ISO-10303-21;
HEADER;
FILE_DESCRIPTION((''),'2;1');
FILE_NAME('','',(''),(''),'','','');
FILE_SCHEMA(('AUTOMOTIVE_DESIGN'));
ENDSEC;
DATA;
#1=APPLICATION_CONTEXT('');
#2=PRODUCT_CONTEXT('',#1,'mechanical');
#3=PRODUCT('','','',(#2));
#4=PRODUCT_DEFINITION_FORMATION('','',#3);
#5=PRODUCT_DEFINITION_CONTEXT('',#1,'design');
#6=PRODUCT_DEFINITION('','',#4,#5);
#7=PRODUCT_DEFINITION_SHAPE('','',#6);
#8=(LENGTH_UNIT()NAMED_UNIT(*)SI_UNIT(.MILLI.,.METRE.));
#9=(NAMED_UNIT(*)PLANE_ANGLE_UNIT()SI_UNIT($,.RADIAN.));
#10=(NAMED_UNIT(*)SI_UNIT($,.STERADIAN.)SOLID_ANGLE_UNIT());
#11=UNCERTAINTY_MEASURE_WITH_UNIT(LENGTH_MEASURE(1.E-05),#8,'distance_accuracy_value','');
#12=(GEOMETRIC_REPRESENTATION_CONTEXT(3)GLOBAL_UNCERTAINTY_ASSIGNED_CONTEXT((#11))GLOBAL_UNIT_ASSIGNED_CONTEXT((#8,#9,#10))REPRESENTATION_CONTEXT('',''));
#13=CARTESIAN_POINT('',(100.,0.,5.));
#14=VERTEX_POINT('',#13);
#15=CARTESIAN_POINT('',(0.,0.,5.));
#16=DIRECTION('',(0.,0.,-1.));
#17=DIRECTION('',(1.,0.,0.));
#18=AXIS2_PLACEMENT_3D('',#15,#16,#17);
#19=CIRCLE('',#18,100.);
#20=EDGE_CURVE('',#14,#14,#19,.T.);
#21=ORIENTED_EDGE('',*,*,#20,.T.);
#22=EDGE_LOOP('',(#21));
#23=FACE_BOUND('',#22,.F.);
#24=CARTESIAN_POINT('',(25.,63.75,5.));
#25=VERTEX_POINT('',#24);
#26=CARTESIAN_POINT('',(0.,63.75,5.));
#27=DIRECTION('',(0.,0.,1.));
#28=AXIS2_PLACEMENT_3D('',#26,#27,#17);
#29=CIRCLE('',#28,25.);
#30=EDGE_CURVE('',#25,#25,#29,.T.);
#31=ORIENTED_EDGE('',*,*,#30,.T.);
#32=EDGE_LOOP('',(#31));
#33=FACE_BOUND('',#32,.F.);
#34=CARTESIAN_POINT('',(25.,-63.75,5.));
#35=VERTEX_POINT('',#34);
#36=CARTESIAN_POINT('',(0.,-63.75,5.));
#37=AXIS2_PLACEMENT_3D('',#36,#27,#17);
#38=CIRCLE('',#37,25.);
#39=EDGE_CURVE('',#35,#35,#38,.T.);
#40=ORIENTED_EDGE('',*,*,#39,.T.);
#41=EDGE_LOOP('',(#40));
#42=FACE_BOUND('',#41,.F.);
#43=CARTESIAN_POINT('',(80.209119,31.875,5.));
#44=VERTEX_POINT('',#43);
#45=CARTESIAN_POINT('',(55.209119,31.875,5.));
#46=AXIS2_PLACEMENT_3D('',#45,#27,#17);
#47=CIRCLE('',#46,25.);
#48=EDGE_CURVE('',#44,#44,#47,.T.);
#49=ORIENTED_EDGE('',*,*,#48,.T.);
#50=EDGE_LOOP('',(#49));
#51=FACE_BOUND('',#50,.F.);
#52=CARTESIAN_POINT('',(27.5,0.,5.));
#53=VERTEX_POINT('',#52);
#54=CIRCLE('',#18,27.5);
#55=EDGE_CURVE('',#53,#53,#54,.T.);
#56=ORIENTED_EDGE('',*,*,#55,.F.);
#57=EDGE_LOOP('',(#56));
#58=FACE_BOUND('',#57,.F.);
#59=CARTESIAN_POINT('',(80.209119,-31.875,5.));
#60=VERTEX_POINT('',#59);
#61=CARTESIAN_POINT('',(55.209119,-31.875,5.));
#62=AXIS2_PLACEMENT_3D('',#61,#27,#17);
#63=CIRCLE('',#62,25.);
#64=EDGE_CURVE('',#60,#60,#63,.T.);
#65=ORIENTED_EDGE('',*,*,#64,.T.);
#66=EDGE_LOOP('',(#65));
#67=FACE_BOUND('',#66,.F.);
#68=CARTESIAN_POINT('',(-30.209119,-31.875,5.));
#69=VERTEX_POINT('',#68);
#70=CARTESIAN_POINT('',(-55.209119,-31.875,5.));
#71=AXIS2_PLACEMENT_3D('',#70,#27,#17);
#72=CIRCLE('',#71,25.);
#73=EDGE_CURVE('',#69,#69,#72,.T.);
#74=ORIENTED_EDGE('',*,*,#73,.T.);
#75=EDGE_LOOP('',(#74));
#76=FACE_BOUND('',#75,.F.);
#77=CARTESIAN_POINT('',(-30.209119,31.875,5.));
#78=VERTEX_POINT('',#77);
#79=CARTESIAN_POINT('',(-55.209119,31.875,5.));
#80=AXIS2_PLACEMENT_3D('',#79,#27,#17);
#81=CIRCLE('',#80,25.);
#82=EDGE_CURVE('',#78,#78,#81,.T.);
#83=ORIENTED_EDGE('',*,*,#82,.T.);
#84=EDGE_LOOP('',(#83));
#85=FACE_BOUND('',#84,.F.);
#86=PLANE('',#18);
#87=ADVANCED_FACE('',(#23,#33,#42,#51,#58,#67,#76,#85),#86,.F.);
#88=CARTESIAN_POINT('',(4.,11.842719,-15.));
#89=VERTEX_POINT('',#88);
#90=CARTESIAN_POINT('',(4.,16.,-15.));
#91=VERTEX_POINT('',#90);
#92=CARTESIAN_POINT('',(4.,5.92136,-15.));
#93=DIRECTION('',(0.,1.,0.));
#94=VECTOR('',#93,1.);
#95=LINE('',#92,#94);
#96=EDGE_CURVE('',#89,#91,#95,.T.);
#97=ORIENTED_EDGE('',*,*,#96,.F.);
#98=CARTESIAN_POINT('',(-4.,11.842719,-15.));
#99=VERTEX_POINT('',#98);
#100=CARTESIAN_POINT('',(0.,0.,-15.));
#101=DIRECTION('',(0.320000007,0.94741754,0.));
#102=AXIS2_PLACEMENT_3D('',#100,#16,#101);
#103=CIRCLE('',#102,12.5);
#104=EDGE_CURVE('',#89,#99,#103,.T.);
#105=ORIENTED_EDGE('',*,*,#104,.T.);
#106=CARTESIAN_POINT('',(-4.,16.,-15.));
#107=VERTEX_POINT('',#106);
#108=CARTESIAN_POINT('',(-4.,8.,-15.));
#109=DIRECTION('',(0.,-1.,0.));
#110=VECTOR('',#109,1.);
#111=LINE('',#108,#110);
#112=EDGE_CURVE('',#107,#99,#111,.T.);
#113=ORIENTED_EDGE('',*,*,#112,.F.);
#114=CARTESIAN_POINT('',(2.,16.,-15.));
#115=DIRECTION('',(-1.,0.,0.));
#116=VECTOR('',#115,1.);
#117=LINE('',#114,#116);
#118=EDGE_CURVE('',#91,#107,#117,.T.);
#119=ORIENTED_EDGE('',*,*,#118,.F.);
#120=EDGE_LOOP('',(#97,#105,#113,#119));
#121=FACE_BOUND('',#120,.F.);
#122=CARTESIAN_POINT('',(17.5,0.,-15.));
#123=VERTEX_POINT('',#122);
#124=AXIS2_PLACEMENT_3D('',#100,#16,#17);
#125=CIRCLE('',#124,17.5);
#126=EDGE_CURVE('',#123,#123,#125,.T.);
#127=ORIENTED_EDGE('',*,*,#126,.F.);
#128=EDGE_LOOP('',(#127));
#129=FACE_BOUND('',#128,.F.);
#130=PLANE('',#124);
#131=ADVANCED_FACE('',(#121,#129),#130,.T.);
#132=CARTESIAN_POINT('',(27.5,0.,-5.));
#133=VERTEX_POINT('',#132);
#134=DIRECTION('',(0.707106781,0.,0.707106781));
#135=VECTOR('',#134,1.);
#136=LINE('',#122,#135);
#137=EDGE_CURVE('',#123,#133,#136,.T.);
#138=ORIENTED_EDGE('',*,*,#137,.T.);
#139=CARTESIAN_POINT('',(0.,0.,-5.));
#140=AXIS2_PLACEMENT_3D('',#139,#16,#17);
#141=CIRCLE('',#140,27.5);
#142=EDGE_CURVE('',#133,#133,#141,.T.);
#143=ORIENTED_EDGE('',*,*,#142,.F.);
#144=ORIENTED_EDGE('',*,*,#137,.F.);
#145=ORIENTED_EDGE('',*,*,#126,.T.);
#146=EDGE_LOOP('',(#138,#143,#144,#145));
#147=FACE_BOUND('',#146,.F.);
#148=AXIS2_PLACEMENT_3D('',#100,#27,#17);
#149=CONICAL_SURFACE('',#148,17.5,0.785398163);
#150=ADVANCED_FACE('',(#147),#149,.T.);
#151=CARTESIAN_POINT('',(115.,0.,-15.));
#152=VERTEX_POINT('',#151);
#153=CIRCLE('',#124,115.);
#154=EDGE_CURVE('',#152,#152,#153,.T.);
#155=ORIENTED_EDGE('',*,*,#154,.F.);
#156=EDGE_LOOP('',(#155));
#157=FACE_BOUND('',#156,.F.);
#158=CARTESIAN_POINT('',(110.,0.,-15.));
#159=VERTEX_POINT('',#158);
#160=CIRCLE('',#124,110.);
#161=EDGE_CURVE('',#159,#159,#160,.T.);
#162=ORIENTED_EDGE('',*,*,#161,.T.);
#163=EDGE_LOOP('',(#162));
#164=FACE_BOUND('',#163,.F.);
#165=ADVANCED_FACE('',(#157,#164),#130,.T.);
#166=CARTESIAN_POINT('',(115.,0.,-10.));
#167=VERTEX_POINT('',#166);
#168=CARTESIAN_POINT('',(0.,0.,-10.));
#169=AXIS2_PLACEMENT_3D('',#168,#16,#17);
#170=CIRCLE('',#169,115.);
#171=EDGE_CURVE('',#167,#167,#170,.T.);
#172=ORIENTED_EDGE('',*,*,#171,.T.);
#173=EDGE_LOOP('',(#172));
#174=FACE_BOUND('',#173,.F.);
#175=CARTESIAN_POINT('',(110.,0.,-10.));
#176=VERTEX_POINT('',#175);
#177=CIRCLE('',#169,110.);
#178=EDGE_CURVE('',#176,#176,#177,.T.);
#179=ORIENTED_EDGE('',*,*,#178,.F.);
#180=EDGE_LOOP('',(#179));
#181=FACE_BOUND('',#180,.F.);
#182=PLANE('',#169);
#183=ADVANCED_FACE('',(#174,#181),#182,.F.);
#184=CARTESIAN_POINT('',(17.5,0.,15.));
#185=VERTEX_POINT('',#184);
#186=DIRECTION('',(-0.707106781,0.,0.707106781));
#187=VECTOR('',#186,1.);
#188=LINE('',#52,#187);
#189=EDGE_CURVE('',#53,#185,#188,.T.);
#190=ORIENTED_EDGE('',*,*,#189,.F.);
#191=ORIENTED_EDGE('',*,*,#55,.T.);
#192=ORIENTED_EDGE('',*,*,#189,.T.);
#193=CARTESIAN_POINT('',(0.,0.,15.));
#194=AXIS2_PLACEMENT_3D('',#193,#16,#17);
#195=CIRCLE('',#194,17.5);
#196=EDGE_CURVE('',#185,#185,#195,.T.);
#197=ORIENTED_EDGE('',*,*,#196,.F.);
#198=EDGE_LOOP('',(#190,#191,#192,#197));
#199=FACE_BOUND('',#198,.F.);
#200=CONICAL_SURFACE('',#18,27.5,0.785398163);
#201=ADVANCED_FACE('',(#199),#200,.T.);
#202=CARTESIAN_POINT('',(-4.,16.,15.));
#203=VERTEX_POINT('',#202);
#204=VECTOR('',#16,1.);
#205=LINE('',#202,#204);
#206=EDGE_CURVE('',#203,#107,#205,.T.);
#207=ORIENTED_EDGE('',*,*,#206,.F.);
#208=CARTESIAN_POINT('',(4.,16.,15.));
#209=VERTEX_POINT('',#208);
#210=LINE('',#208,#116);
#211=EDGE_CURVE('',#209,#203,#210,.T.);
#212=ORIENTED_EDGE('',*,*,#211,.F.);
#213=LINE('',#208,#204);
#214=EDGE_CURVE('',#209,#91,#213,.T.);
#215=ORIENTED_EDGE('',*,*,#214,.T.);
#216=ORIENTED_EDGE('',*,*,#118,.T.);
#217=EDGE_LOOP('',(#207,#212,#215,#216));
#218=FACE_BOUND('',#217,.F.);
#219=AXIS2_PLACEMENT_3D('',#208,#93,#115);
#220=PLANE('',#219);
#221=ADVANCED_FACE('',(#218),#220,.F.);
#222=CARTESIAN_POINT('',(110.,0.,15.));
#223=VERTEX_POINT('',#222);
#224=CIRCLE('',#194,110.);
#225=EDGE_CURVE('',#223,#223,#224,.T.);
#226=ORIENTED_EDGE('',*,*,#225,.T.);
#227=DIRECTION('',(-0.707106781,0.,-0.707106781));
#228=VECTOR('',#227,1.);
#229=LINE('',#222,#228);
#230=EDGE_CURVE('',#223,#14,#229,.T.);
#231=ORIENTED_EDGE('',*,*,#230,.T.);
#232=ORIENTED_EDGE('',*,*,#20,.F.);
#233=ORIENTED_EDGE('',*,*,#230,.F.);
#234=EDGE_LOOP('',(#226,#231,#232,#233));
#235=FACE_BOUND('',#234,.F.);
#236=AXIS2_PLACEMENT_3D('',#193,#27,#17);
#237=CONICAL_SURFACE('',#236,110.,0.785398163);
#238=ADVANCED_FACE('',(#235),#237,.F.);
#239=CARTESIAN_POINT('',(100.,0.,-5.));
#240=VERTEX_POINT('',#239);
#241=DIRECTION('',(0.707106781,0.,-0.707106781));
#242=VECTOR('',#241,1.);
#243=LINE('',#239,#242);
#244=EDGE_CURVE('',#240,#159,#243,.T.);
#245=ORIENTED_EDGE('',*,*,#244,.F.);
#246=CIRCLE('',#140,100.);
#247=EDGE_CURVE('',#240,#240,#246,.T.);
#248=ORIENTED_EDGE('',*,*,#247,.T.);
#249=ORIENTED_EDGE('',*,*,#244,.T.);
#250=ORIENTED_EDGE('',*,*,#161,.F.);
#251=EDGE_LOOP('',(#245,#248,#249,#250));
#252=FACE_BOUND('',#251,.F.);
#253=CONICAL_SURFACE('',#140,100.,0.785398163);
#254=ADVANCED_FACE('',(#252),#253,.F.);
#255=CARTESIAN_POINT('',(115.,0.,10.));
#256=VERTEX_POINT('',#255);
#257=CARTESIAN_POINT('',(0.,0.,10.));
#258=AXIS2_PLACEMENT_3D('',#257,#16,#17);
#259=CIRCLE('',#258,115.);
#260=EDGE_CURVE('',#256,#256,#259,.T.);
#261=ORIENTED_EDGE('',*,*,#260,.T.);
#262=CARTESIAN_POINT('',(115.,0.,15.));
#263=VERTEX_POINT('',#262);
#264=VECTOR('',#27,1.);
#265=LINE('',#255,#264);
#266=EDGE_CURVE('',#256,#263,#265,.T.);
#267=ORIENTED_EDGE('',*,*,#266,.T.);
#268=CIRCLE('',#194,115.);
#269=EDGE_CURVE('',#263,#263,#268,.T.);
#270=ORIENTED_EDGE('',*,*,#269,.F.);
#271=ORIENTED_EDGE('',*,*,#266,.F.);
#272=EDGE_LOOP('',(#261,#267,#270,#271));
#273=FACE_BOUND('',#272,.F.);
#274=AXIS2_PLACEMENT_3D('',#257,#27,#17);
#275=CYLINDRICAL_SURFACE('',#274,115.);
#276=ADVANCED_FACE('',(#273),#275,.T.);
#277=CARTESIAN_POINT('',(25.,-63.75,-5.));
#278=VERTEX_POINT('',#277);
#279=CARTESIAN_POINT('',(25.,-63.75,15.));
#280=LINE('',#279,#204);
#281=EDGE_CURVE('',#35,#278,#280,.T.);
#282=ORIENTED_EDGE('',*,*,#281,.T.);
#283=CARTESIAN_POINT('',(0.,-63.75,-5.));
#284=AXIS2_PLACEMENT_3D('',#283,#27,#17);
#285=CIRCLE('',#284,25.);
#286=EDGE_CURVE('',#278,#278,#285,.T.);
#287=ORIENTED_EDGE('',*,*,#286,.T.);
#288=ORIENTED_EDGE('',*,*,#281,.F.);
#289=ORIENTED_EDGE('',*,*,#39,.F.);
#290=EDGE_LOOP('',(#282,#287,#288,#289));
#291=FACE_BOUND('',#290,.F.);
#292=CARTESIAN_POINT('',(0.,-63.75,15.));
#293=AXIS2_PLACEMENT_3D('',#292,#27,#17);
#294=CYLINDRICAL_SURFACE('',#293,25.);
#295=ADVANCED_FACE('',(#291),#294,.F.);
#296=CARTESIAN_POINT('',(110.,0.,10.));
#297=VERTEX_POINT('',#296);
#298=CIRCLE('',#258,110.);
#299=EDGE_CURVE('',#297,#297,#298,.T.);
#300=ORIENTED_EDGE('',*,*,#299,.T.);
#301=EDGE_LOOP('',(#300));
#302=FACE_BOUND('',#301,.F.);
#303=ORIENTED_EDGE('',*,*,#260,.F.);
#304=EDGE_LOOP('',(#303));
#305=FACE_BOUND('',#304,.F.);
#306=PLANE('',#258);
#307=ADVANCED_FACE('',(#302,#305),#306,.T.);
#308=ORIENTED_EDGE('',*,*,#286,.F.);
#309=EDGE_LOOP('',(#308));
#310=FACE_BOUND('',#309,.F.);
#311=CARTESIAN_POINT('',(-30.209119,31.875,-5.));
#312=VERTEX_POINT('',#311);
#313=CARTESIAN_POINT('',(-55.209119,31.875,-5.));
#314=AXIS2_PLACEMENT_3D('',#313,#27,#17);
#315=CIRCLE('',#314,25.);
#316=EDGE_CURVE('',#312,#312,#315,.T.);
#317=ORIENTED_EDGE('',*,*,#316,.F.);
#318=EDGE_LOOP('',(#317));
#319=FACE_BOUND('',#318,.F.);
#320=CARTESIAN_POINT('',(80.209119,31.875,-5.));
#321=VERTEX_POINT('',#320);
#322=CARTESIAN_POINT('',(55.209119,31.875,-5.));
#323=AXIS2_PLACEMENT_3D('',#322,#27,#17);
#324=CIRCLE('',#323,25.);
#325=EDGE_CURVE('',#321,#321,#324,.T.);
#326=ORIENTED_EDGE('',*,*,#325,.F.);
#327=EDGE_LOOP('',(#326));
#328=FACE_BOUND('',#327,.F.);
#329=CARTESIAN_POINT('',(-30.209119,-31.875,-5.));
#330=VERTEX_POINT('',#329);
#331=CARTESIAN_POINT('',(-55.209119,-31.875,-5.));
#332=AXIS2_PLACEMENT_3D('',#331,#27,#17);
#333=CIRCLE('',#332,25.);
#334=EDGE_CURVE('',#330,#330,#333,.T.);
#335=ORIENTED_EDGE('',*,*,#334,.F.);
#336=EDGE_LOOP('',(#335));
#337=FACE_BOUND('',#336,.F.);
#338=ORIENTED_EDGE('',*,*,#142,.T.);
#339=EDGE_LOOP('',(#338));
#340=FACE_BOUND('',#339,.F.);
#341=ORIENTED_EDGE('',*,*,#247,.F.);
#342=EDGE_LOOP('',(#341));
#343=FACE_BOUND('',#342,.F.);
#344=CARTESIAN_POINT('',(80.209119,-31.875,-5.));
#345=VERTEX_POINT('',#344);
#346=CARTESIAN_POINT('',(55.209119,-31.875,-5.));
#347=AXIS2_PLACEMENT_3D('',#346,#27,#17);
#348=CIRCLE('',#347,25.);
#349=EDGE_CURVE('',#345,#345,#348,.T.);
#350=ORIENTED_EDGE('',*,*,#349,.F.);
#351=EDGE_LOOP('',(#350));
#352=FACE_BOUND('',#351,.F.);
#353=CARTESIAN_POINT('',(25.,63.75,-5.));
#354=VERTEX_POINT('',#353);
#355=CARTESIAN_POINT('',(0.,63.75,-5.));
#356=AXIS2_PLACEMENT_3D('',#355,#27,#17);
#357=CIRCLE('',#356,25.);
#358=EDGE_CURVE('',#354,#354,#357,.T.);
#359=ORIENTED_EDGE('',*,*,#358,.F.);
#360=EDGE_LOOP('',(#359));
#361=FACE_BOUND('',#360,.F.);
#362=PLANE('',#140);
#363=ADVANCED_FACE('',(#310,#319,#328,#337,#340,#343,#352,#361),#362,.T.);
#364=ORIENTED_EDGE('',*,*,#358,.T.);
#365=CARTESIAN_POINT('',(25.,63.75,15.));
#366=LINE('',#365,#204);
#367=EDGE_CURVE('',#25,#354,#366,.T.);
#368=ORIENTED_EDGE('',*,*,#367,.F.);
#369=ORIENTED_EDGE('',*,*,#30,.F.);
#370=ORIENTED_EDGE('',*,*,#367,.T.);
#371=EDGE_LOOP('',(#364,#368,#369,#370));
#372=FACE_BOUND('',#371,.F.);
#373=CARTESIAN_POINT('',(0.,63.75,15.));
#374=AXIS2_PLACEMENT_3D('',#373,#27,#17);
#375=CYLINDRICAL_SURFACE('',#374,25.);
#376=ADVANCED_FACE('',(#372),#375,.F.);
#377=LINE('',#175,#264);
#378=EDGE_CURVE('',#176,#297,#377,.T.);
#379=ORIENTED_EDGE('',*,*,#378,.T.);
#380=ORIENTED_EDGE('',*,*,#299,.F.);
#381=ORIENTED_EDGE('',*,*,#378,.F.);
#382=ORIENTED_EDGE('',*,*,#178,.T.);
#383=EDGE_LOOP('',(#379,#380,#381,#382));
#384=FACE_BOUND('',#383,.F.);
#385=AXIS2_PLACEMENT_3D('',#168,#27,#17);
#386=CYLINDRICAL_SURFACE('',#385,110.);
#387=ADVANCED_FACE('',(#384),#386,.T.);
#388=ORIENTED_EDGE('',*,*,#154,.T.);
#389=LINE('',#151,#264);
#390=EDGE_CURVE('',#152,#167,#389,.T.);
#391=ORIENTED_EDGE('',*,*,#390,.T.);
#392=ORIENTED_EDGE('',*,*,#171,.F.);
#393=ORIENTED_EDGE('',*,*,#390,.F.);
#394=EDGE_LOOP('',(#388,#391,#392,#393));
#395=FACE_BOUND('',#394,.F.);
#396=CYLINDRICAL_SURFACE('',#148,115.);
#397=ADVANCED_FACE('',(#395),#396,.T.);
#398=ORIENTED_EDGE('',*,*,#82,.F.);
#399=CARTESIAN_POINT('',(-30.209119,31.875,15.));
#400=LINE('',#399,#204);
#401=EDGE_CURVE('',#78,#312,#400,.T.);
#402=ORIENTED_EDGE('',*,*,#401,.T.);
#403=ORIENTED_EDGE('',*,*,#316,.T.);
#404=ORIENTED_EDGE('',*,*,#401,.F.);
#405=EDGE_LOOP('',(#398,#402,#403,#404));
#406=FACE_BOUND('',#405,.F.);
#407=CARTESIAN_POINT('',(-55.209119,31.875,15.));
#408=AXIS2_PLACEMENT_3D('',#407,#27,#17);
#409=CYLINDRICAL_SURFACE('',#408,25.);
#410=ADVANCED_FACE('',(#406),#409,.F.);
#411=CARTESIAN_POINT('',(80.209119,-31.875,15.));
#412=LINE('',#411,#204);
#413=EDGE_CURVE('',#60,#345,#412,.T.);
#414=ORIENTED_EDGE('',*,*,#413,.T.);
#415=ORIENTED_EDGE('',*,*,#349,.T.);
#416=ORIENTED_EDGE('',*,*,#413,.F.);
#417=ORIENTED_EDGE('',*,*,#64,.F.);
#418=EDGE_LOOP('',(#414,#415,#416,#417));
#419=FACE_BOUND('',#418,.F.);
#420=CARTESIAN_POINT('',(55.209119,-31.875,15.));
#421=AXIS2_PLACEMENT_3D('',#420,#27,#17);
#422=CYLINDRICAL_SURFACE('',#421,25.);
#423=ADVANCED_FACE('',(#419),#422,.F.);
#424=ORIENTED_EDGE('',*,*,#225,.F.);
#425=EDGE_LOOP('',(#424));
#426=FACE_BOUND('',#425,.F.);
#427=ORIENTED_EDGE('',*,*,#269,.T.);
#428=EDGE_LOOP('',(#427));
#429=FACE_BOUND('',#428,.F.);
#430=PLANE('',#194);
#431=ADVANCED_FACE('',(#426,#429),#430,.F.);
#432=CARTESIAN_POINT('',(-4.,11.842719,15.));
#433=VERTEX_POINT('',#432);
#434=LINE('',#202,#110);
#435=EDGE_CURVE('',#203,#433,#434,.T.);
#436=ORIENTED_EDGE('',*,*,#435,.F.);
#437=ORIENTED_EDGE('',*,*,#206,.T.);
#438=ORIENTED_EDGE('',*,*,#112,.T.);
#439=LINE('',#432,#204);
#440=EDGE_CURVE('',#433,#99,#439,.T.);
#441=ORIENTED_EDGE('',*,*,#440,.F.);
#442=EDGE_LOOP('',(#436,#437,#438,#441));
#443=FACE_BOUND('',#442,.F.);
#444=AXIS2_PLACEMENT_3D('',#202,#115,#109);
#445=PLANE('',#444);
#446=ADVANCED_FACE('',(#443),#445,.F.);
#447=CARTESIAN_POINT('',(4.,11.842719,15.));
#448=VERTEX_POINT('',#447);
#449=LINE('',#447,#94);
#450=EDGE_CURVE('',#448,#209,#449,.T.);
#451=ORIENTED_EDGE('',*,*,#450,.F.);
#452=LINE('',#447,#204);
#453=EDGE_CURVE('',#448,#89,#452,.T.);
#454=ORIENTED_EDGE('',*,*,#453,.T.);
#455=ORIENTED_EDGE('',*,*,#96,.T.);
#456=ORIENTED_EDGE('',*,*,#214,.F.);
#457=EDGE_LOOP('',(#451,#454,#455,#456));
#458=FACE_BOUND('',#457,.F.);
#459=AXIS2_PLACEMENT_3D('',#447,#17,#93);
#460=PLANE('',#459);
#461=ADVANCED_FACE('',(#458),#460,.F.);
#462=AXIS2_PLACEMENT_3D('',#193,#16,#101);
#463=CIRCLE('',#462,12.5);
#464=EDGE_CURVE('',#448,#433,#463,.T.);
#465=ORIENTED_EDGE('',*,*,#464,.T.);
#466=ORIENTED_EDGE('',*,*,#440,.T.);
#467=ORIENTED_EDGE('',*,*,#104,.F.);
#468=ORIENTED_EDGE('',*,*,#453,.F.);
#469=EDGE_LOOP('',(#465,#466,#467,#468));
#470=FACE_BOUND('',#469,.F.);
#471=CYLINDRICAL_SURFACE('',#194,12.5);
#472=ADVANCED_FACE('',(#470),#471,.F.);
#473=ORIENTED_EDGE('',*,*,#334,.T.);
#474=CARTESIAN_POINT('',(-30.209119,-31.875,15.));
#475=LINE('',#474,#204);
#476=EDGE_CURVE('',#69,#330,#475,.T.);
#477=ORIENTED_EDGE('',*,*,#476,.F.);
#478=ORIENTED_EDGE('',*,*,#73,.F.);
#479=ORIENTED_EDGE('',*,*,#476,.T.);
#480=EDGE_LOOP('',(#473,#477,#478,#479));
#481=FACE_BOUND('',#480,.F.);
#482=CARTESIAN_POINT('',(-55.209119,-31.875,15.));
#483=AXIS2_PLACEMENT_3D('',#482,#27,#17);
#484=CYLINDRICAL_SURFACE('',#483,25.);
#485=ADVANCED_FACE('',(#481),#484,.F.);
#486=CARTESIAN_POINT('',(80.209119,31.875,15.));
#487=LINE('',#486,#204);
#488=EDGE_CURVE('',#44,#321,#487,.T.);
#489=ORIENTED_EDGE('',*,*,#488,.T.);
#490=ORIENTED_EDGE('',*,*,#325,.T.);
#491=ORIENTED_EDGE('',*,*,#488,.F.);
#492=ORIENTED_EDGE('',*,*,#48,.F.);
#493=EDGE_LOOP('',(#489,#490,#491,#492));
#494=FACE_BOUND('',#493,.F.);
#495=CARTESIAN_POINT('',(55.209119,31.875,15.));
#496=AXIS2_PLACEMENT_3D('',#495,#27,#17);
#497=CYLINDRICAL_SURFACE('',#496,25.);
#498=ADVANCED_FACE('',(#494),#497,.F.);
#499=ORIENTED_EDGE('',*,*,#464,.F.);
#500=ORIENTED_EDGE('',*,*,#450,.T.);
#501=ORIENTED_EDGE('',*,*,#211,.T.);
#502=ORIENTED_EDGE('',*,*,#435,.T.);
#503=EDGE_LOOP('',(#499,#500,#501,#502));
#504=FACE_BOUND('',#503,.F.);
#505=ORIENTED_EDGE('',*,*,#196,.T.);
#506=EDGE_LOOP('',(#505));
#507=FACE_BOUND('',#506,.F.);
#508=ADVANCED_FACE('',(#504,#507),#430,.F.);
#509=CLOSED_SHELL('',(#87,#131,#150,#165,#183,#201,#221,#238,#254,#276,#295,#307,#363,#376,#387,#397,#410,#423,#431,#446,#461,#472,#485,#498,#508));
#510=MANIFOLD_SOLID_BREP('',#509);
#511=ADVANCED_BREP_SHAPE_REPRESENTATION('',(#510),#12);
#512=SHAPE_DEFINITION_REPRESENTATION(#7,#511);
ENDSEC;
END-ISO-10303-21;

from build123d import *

# Parameters (mm, degrees)
F2_R     = 25
F3_DEPTH = 30.001


with BuildPart() as f1:
    # F0 (on Front) → F1 (revolve)
    with BuildSketch(Plane.XZ):
        Polygon((17.5, 15), (12.5, 15), (12.5, -15), (17.5, -15), (27.5, -5), (100, -5), (110, -15), (115, -15), (115, -10), (110, -10), (110, 10), (115, 10), (115, 15), (110, 15), (100, 5), (27.5, 5), align=None)
    revolve(axis=Axis((0, 0, -2.419355), (0, 0, -1)))

    # F2 (on face) → F3 (cut, through all)
    with BuildSketch(Plane.XY.offset(15)):
        with Locations((-55.209119, 31.875)):
            Circle(F2_R)
        with Locations((0, 63.75)):
            Circle(F2_R)
        with Locations((55.209119, 31.875)):
            Circle(F2_R)
        with Locations((55.209119, -31.875)):
            Circle(F2_R)
        with Locations((0, -63.75)):
            Circle(F2_R)
        with Locations((-55.209119, -31.875)):
            Circle(F2_R)
        with BuildLine():
            Line((-4, 16), (-4, 11.842719))
            ThreePointArc((-4, 11.842719), (0, 12.5), (4, 11.842719))
            Line((4, 11.842719), (4, 16))
            Line((4, 16), (-4, 16))
        make_face()
    extrude(amount=-F3_DEPTH, mode=Mode.SUBTRACT)


solid = f1.part
